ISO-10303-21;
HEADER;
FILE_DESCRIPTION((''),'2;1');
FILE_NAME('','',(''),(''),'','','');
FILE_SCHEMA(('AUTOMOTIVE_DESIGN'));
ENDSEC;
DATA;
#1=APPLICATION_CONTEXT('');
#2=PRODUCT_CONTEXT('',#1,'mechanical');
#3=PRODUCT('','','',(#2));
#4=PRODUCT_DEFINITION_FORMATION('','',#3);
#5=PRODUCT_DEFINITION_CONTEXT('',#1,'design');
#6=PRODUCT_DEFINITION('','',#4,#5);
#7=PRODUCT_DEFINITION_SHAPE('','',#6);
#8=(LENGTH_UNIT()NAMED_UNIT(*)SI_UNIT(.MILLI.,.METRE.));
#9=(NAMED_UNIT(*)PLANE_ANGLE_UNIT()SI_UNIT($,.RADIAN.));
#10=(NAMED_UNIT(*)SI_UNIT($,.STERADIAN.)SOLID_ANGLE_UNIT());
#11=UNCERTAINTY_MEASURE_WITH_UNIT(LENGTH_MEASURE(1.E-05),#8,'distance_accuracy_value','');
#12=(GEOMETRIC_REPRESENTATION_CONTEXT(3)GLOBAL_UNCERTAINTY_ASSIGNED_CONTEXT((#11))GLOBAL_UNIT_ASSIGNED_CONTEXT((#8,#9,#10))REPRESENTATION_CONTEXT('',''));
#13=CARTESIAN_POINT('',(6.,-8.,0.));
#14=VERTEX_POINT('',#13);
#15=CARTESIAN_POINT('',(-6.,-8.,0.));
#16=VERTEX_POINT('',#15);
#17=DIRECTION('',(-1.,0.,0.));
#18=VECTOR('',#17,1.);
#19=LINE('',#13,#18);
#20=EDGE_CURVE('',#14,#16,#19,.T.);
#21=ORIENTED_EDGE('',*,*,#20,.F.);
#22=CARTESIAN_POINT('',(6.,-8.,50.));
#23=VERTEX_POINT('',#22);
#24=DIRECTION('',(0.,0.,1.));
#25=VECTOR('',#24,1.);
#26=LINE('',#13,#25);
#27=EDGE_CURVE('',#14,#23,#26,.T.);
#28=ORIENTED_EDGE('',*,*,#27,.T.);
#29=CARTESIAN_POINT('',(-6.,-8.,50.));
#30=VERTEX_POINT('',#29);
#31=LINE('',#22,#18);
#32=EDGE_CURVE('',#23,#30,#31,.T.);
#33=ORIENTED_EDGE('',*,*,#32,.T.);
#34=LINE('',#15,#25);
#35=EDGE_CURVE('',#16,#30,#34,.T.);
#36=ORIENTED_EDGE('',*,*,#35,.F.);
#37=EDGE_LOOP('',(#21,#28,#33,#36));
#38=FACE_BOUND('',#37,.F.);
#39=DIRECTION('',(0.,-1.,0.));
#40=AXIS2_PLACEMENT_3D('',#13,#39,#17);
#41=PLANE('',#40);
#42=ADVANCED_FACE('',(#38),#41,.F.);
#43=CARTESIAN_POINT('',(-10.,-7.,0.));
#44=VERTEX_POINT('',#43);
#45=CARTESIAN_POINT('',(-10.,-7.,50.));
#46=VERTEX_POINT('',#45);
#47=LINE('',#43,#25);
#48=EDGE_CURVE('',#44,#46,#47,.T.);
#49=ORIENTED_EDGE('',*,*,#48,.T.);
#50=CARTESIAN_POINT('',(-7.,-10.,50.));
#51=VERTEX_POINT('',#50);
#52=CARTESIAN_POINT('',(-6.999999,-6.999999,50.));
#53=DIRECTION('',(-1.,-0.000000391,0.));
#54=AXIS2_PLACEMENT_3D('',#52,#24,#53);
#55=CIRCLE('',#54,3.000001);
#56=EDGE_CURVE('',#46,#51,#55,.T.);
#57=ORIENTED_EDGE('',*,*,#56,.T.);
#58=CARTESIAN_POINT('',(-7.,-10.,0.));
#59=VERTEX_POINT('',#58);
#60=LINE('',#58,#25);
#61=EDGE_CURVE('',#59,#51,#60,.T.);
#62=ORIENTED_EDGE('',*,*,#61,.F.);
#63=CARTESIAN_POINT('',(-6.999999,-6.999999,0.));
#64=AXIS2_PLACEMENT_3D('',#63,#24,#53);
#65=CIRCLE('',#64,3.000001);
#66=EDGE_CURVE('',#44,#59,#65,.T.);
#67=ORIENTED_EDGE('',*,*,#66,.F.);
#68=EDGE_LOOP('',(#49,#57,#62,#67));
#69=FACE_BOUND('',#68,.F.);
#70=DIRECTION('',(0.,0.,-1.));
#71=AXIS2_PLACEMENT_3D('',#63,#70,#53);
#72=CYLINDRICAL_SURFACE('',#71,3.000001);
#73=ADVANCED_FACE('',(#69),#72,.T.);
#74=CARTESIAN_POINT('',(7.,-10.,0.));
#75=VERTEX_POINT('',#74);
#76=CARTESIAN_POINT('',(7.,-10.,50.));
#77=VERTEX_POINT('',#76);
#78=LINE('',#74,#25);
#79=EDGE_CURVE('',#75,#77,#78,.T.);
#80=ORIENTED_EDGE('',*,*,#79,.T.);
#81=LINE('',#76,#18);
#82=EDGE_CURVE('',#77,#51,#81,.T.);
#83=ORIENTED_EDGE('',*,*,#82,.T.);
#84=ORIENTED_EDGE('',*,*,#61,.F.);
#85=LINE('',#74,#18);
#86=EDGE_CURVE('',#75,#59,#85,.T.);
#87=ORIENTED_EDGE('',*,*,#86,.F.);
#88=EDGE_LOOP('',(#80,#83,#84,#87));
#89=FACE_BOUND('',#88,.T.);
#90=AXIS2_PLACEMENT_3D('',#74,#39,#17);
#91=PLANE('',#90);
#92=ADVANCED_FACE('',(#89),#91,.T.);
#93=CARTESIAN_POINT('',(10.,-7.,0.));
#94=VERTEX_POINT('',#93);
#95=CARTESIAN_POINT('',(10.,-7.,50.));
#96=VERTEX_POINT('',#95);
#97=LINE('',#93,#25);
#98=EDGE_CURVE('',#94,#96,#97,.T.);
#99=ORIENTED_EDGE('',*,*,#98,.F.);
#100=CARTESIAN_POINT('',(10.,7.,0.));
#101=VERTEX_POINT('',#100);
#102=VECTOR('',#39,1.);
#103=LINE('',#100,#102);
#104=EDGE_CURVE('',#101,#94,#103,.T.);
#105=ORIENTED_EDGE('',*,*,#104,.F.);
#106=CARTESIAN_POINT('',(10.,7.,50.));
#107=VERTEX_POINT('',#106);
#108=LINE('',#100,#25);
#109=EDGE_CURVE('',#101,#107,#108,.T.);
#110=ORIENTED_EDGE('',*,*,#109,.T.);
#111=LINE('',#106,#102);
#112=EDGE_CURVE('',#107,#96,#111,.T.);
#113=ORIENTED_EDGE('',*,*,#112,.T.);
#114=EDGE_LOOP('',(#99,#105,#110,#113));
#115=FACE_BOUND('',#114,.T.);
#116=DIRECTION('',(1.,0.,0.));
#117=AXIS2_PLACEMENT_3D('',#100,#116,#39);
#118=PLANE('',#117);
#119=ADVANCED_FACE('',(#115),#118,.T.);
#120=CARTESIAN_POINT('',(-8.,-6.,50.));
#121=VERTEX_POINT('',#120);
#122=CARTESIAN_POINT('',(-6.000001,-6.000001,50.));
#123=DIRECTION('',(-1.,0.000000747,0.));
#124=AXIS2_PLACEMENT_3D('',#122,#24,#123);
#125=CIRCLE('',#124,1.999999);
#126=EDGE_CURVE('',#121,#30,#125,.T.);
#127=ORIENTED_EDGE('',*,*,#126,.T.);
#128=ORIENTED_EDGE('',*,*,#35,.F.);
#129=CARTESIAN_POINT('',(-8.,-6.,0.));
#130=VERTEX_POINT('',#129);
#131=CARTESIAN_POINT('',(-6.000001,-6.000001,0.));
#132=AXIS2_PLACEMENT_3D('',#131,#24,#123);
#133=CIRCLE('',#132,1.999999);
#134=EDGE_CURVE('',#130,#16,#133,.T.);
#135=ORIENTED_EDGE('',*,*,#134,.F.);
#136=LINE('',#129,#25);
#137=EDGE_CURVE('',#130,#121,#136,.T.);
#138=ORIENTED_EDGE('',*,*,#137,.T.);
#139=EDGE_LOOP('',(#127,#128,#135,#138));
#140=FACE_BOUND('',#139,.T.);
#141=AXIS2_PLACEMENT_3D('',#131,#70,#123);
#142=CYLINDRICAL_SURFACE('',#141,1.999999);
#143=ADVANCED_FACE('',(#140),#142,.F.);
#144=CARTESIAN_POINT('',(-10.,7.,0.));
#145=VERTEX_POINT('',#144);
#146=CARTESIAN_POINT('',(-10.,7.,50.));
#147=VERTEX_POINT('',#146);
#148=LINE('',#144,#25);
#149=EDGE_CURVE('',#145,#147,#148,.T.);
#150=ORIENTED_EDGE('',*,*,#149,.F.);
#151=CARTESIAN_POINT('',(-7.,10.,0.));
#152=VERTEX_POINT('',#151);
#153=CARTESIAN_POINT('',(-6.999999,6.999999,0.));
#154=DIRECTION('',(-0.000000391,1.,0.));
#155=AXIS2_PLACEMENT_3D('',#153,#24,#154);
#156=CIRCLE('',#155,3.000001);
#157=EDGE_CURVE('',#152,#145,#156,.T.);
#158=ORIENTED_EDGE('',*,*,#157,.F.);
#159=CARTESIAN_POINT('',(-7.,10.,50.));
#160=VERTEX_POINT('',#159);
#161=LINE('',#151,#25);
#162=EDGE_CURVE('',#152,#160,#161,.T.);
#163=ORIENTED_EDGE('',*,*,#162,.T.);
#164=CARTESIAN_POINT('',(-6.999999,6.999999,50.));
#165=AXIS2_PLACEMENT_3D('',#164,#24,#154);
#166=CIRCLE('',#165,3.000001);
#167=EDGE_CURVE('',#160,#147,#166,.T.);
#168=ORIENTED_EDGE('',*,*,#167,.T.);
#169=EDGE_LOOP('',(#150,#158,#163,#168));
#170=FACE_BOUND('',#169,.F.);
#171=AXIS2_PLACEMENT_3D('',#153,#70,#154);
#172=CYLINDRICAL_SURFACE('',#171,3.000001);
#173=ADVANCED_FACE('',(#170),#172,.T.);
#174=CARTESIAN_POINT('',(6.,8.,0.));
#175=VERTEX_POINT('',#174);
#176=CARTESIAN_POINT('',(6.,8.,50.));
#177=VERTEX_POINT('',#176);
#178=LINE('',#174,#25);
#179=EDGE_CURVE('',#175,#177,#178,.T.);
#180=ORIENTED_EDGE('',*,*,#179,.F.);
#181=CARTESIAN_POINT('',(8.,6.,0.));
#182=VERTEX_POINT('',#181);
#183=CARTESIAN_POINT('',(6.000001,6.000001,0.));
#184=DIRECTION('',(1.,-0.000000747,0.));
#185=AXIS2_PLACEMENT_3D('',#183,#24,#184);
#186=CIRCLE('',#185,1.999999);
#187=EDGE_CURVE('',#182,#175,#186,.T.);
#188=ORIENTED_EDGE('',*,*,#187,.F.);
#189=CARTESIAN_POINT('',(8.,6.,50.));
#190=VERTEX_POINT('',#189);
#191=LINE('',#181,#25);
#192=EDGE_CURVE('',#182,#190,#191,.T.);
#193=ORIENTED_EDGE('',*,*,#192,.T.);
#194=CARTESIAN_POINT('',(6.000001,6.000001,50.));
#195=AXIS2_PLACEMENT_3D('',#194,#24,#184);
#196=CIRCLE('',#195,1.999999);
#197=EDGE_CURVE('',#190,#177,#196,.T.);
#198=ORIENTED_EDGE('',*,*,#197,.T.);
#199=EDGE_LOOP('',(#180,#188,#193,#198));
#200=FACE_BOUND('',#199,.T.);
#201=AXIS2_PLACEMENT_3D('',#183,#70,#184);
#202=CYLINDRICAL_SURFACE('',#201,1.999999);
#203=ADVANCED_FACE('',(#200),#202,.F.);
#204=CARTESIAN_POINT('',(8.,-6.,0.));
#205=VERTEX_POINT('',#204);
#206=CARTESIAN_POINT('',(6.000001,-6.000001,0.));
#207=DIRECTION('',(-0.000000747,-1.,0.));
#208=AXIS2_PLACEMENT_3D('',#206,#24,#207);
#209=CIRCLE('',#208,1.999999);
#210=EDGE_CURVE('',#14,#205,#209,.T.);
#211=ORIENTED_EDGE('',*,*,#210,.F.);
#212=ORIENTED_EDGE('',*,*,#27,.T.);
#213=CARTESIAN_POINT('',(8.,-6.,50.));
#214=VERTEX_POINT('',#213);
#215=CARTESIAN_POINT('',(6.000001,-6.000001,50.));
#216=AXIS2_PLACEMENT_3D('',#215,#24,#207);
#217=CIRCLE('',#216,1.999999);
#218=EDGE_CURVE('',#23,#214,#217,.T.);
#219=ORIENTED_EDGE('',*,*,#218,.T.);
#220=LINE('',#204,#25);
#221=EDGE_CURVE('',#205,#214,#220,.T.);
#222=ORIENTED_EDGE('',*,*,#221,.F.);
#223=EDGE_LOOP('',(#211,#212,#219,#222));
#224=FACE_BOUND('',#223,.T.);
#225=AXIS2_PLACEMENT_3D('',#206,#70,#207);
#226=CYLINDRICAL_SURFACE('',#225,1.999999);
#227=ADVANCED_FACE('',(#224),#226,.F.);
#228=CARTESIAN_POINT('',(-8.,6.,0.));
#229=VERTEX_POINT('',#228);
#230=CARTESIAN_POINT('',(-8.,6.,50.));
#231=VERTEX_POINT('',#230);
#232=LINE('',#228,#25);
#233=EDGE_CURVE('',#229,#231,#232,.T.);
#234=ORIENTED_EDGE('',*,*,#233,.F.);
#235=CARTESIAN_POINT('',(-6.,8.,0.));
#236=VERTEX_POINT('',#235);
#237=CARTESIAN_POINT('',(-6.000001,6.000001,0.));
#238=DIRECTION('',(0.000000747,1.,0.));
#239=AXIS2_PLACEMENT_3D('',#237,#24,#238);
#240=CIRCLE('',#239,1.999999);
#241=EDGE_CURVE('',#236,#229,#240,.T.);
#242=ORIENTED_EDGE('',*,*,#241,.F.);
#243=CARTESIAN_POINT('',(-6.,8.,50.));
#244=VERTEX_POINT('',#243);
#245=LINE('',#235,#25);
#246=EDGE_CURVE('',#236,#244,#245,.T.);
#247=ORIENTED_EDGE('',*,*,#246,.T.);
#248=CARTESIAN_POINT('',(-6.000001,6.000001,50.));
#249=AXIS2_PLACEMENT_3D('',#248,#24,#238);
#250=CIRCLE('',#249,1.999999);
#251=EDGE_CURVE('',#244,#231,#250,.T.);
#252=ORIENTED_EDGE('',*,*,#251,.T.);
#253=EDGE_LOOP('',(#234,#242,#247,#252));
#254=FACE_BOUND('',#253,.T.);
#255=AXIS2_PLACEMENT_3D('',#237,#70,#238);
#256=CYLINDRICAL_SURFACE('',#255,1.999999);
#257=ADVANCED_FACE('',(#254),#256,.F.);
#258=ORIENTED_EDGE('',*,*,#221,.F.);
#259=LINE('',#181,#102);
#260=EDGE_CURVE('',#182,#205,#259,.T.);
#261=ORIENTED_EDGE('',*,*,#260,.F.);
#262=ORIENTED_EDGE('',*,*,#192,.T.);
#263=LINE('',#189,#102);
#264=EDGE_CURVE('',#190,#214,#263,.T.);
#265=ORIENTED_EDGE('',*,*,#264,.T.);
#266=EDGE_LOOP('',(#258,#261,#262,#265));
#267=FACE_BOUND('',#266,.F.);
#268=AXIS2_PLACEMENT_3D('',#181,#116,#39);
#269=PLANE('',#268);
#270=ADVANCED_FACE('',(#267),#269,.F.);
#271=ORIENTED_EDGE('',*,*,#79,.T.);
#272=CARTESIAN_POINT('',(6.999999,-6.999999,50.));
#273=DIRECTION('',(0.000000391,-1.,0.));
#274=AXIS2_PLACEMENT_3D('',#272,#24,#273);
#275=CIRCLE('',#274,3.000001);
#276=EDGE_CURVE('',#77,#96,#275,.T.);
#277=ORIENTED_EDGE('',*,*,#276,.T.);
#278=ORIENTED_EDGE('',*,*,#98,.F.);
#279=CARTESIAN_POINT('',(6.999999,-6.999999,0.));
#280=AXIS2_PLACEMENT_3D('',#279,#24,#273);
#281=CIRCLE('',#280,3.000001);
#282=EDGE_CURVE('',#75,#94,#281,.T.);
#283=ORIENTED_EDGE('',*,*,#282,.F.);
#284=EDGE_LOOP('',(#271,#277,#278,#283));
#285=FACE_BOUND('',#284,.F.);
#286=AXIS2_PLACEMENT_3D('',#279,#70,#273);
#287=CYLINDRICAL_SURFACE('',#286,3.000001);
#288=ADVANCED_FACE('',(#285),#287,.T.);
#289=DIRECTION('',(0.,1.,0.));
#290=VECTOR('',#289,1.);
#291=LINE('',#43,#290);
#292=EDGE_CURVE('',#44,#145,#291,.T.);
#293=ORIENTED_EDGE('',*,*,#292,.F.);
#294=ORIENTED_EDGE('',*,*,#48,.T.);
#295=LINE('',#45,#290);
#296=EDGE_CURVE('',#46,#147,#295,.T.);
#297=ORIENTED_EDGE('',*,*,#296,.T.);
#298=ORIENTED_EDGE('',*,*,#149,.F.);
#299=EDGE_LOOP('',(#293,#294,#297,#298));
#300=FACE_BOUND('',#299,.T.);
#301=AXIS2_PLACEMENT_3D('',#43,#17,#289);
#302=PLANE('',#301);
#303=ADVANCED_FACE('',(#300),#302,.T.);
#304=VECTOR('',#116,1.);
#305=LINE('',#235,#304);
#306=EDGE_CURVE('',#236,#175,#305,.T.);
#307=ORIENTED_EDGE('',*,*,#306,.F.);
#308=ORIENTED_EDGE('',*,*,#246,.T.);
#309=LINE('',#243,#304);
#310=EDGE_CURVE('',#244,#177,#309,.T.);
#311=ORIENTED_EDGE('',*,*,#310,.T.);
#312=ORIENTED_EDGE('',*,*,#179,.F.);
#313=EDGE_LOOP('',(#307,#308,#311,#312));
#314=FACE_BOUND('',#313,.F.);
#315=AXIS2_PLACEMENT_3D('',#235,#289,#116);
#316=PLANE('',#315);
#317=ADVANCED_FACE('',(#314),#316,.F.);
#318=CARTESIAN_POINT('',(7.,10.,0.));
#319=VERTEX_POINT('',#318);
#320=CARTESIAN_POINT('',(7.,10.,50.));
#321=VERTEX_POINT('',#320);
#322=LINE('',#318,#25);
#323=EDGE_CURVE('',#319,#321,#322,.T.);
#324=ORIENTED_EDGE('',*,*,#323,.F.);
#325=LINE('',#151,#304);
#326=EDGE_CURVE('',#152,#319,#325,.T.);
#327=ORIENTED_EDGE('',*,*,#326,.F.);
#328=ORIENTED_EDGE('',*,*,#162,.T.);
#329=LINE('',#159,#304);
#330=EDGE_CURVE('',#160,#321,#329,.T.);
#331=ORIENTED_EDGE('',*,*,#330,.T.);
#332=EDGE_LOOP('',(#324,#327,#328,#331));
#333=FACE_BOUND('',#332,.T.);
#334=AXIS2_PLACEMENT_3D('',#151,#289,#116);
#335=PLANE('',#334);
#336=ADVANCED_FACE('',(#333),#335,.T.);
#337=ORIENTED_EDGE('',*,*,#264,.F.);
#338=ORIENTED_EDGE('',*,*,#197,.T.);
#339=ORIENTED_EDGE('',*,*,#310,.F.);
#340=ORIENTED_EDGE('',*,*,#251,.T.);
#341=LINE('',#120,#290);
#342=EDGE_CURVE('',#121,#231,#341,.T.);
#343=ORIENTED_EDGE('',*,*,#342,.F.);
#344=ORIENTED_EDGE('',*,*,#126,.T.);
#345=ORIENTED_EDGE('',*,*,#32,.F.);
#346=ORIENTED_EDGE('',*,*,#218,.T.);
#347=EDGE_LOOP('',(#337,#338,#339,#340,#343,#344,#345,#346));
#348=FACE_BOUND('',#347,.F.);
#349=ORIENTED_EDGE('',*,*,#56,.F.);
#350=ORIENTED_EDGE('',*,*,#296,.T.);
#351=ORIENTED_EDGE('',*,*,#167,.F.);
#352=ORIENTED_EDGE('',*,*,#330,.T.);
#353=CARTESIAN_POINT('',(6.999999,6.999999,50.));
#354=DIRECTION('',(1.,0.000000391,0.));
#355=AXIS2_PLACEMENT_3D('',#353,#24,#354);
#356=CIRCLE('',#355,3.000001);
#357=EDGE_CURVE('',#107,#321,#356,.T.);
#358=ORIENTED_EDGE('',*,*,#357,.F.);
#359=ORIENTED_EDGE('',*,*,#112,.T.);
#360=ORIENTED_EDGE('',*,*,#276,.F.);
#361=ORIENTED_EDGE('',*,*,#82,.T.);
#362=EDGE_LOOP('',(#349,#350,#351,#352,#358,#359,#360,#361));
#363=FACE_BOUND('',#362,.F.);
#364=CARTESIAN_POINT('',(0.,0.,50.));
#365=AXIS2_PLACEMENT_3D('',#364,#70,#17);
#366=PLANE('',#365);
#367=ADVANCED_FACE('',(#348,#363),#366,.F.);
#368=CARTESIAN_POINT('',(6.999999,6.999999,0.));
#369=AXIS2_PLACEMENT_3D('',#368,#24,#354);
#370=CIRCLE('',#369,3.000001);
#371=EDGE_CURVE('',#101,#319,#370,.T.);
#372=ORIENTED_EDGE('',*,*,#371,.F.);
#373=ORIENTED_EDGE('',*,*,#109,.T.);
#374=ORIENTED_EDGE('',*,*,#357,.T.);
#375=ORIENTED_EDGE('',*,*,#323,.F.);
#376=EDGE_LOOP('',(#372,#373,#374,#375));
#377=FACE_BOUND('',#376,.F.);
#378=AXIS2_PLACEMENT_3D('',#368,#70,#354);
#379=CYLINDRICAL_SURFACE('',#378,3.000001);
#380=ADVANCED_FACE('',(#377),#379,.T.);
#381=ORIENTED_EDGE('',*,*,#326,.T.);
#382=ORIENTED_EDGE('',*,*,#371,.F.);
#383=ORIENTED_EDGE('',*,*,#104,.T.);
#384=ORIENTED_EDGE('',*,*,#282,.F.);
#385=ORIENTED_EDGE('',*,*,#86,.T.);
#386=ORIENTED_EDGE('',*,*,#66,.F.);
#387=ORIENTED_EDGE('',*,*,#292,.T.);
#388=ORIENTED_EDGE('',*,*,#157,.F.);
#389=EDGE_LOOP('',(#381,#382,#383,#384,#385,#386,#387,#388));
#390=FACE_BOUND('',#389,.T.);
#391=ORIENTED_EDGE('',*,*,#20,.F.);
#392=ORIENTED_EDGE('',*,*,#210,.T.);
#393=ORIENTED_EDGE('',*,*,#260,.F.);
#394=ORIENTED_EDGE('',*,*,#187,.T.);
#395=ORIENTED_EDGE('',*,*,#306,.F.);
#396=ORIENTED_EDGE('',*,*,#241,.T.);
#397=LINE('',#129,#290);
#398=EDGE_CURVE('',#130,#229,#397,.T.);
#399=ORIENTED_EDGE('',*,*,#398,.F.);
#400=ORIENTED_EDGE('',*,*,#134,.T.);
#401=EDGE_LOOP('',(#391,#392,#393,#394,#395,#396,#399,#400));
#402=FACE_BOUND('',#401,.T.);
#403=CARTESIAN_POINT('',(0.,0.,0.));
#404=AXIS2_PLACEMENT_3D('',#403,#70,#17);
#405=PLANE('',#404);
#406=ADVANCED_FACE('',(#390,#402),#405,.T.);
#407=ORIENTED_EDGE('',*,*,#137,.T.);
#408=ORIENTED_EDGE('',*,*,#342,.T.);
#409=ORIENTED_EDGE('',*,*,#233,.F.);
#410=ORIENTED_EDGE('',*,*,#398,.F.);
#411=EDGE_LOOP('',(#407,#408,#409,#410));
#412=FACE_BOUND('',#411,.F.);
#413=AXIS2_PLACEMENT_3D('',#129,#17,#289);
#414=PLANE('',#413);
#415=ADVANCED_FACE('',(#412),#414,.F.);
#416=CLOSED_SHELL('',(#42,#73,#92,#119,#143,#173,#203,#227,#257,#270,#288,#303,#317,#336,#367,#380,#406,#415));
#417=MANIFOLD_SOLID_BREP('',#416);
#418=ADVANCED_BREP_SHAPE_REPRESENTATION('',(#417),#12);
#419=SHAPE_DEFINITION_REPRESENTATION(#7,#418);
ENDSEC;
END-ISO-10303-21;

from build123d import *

# Parameters (mm, degrees)
EXTRUDE_DEPTH = 50


with BuildPart() as part:
    # Sketch → Extrude (new body)
    with BuildSketch(Plane.XY):
        with BuildLine():
            Line((-7, 10), (7, 10))
            ThreePointArc((10, 7), (9.12132, 9.12132), (7, 10))
            Line((10, 7), (10, -7))
            ThreePointArc((7, -10), (9.12132, -9.12132), (10, -7))
            Line((7, -10), (-7, -10))
            ThreePointArc((-10, -7), (-9.12132, -9.12132), (-7, -10))
            Line((-10, -7), (-10, 7))
            ThreePointArc((-7, 10), (-9.12132, 9.12132), (-10, 7))
        make_face()
        with BuildLine():
            Line((-6, 8), (6, 8))
            ThreePointArc((8, 6), (7.414214, 7.414214), (6, 8))
            Line((8, 6), (8, -6))
            ThreePointArc((6, -8), (7.414214, -7.414214), (8, -6))
            Line((6, -8), (-6, -8))
            ThreePointArc((-8, -6), (-7.414214, -7.414214), (-6, -8))
            Line((-8, -6), (-8, 6))
            ThreePointArc((-6, 8), (-7.414214, 7.414214), (-8, 6))
        make_face(mode=Mode.SUBTRACT)
    extrude(amount=EXTRUDE_DEPTH)


solid = part.part
